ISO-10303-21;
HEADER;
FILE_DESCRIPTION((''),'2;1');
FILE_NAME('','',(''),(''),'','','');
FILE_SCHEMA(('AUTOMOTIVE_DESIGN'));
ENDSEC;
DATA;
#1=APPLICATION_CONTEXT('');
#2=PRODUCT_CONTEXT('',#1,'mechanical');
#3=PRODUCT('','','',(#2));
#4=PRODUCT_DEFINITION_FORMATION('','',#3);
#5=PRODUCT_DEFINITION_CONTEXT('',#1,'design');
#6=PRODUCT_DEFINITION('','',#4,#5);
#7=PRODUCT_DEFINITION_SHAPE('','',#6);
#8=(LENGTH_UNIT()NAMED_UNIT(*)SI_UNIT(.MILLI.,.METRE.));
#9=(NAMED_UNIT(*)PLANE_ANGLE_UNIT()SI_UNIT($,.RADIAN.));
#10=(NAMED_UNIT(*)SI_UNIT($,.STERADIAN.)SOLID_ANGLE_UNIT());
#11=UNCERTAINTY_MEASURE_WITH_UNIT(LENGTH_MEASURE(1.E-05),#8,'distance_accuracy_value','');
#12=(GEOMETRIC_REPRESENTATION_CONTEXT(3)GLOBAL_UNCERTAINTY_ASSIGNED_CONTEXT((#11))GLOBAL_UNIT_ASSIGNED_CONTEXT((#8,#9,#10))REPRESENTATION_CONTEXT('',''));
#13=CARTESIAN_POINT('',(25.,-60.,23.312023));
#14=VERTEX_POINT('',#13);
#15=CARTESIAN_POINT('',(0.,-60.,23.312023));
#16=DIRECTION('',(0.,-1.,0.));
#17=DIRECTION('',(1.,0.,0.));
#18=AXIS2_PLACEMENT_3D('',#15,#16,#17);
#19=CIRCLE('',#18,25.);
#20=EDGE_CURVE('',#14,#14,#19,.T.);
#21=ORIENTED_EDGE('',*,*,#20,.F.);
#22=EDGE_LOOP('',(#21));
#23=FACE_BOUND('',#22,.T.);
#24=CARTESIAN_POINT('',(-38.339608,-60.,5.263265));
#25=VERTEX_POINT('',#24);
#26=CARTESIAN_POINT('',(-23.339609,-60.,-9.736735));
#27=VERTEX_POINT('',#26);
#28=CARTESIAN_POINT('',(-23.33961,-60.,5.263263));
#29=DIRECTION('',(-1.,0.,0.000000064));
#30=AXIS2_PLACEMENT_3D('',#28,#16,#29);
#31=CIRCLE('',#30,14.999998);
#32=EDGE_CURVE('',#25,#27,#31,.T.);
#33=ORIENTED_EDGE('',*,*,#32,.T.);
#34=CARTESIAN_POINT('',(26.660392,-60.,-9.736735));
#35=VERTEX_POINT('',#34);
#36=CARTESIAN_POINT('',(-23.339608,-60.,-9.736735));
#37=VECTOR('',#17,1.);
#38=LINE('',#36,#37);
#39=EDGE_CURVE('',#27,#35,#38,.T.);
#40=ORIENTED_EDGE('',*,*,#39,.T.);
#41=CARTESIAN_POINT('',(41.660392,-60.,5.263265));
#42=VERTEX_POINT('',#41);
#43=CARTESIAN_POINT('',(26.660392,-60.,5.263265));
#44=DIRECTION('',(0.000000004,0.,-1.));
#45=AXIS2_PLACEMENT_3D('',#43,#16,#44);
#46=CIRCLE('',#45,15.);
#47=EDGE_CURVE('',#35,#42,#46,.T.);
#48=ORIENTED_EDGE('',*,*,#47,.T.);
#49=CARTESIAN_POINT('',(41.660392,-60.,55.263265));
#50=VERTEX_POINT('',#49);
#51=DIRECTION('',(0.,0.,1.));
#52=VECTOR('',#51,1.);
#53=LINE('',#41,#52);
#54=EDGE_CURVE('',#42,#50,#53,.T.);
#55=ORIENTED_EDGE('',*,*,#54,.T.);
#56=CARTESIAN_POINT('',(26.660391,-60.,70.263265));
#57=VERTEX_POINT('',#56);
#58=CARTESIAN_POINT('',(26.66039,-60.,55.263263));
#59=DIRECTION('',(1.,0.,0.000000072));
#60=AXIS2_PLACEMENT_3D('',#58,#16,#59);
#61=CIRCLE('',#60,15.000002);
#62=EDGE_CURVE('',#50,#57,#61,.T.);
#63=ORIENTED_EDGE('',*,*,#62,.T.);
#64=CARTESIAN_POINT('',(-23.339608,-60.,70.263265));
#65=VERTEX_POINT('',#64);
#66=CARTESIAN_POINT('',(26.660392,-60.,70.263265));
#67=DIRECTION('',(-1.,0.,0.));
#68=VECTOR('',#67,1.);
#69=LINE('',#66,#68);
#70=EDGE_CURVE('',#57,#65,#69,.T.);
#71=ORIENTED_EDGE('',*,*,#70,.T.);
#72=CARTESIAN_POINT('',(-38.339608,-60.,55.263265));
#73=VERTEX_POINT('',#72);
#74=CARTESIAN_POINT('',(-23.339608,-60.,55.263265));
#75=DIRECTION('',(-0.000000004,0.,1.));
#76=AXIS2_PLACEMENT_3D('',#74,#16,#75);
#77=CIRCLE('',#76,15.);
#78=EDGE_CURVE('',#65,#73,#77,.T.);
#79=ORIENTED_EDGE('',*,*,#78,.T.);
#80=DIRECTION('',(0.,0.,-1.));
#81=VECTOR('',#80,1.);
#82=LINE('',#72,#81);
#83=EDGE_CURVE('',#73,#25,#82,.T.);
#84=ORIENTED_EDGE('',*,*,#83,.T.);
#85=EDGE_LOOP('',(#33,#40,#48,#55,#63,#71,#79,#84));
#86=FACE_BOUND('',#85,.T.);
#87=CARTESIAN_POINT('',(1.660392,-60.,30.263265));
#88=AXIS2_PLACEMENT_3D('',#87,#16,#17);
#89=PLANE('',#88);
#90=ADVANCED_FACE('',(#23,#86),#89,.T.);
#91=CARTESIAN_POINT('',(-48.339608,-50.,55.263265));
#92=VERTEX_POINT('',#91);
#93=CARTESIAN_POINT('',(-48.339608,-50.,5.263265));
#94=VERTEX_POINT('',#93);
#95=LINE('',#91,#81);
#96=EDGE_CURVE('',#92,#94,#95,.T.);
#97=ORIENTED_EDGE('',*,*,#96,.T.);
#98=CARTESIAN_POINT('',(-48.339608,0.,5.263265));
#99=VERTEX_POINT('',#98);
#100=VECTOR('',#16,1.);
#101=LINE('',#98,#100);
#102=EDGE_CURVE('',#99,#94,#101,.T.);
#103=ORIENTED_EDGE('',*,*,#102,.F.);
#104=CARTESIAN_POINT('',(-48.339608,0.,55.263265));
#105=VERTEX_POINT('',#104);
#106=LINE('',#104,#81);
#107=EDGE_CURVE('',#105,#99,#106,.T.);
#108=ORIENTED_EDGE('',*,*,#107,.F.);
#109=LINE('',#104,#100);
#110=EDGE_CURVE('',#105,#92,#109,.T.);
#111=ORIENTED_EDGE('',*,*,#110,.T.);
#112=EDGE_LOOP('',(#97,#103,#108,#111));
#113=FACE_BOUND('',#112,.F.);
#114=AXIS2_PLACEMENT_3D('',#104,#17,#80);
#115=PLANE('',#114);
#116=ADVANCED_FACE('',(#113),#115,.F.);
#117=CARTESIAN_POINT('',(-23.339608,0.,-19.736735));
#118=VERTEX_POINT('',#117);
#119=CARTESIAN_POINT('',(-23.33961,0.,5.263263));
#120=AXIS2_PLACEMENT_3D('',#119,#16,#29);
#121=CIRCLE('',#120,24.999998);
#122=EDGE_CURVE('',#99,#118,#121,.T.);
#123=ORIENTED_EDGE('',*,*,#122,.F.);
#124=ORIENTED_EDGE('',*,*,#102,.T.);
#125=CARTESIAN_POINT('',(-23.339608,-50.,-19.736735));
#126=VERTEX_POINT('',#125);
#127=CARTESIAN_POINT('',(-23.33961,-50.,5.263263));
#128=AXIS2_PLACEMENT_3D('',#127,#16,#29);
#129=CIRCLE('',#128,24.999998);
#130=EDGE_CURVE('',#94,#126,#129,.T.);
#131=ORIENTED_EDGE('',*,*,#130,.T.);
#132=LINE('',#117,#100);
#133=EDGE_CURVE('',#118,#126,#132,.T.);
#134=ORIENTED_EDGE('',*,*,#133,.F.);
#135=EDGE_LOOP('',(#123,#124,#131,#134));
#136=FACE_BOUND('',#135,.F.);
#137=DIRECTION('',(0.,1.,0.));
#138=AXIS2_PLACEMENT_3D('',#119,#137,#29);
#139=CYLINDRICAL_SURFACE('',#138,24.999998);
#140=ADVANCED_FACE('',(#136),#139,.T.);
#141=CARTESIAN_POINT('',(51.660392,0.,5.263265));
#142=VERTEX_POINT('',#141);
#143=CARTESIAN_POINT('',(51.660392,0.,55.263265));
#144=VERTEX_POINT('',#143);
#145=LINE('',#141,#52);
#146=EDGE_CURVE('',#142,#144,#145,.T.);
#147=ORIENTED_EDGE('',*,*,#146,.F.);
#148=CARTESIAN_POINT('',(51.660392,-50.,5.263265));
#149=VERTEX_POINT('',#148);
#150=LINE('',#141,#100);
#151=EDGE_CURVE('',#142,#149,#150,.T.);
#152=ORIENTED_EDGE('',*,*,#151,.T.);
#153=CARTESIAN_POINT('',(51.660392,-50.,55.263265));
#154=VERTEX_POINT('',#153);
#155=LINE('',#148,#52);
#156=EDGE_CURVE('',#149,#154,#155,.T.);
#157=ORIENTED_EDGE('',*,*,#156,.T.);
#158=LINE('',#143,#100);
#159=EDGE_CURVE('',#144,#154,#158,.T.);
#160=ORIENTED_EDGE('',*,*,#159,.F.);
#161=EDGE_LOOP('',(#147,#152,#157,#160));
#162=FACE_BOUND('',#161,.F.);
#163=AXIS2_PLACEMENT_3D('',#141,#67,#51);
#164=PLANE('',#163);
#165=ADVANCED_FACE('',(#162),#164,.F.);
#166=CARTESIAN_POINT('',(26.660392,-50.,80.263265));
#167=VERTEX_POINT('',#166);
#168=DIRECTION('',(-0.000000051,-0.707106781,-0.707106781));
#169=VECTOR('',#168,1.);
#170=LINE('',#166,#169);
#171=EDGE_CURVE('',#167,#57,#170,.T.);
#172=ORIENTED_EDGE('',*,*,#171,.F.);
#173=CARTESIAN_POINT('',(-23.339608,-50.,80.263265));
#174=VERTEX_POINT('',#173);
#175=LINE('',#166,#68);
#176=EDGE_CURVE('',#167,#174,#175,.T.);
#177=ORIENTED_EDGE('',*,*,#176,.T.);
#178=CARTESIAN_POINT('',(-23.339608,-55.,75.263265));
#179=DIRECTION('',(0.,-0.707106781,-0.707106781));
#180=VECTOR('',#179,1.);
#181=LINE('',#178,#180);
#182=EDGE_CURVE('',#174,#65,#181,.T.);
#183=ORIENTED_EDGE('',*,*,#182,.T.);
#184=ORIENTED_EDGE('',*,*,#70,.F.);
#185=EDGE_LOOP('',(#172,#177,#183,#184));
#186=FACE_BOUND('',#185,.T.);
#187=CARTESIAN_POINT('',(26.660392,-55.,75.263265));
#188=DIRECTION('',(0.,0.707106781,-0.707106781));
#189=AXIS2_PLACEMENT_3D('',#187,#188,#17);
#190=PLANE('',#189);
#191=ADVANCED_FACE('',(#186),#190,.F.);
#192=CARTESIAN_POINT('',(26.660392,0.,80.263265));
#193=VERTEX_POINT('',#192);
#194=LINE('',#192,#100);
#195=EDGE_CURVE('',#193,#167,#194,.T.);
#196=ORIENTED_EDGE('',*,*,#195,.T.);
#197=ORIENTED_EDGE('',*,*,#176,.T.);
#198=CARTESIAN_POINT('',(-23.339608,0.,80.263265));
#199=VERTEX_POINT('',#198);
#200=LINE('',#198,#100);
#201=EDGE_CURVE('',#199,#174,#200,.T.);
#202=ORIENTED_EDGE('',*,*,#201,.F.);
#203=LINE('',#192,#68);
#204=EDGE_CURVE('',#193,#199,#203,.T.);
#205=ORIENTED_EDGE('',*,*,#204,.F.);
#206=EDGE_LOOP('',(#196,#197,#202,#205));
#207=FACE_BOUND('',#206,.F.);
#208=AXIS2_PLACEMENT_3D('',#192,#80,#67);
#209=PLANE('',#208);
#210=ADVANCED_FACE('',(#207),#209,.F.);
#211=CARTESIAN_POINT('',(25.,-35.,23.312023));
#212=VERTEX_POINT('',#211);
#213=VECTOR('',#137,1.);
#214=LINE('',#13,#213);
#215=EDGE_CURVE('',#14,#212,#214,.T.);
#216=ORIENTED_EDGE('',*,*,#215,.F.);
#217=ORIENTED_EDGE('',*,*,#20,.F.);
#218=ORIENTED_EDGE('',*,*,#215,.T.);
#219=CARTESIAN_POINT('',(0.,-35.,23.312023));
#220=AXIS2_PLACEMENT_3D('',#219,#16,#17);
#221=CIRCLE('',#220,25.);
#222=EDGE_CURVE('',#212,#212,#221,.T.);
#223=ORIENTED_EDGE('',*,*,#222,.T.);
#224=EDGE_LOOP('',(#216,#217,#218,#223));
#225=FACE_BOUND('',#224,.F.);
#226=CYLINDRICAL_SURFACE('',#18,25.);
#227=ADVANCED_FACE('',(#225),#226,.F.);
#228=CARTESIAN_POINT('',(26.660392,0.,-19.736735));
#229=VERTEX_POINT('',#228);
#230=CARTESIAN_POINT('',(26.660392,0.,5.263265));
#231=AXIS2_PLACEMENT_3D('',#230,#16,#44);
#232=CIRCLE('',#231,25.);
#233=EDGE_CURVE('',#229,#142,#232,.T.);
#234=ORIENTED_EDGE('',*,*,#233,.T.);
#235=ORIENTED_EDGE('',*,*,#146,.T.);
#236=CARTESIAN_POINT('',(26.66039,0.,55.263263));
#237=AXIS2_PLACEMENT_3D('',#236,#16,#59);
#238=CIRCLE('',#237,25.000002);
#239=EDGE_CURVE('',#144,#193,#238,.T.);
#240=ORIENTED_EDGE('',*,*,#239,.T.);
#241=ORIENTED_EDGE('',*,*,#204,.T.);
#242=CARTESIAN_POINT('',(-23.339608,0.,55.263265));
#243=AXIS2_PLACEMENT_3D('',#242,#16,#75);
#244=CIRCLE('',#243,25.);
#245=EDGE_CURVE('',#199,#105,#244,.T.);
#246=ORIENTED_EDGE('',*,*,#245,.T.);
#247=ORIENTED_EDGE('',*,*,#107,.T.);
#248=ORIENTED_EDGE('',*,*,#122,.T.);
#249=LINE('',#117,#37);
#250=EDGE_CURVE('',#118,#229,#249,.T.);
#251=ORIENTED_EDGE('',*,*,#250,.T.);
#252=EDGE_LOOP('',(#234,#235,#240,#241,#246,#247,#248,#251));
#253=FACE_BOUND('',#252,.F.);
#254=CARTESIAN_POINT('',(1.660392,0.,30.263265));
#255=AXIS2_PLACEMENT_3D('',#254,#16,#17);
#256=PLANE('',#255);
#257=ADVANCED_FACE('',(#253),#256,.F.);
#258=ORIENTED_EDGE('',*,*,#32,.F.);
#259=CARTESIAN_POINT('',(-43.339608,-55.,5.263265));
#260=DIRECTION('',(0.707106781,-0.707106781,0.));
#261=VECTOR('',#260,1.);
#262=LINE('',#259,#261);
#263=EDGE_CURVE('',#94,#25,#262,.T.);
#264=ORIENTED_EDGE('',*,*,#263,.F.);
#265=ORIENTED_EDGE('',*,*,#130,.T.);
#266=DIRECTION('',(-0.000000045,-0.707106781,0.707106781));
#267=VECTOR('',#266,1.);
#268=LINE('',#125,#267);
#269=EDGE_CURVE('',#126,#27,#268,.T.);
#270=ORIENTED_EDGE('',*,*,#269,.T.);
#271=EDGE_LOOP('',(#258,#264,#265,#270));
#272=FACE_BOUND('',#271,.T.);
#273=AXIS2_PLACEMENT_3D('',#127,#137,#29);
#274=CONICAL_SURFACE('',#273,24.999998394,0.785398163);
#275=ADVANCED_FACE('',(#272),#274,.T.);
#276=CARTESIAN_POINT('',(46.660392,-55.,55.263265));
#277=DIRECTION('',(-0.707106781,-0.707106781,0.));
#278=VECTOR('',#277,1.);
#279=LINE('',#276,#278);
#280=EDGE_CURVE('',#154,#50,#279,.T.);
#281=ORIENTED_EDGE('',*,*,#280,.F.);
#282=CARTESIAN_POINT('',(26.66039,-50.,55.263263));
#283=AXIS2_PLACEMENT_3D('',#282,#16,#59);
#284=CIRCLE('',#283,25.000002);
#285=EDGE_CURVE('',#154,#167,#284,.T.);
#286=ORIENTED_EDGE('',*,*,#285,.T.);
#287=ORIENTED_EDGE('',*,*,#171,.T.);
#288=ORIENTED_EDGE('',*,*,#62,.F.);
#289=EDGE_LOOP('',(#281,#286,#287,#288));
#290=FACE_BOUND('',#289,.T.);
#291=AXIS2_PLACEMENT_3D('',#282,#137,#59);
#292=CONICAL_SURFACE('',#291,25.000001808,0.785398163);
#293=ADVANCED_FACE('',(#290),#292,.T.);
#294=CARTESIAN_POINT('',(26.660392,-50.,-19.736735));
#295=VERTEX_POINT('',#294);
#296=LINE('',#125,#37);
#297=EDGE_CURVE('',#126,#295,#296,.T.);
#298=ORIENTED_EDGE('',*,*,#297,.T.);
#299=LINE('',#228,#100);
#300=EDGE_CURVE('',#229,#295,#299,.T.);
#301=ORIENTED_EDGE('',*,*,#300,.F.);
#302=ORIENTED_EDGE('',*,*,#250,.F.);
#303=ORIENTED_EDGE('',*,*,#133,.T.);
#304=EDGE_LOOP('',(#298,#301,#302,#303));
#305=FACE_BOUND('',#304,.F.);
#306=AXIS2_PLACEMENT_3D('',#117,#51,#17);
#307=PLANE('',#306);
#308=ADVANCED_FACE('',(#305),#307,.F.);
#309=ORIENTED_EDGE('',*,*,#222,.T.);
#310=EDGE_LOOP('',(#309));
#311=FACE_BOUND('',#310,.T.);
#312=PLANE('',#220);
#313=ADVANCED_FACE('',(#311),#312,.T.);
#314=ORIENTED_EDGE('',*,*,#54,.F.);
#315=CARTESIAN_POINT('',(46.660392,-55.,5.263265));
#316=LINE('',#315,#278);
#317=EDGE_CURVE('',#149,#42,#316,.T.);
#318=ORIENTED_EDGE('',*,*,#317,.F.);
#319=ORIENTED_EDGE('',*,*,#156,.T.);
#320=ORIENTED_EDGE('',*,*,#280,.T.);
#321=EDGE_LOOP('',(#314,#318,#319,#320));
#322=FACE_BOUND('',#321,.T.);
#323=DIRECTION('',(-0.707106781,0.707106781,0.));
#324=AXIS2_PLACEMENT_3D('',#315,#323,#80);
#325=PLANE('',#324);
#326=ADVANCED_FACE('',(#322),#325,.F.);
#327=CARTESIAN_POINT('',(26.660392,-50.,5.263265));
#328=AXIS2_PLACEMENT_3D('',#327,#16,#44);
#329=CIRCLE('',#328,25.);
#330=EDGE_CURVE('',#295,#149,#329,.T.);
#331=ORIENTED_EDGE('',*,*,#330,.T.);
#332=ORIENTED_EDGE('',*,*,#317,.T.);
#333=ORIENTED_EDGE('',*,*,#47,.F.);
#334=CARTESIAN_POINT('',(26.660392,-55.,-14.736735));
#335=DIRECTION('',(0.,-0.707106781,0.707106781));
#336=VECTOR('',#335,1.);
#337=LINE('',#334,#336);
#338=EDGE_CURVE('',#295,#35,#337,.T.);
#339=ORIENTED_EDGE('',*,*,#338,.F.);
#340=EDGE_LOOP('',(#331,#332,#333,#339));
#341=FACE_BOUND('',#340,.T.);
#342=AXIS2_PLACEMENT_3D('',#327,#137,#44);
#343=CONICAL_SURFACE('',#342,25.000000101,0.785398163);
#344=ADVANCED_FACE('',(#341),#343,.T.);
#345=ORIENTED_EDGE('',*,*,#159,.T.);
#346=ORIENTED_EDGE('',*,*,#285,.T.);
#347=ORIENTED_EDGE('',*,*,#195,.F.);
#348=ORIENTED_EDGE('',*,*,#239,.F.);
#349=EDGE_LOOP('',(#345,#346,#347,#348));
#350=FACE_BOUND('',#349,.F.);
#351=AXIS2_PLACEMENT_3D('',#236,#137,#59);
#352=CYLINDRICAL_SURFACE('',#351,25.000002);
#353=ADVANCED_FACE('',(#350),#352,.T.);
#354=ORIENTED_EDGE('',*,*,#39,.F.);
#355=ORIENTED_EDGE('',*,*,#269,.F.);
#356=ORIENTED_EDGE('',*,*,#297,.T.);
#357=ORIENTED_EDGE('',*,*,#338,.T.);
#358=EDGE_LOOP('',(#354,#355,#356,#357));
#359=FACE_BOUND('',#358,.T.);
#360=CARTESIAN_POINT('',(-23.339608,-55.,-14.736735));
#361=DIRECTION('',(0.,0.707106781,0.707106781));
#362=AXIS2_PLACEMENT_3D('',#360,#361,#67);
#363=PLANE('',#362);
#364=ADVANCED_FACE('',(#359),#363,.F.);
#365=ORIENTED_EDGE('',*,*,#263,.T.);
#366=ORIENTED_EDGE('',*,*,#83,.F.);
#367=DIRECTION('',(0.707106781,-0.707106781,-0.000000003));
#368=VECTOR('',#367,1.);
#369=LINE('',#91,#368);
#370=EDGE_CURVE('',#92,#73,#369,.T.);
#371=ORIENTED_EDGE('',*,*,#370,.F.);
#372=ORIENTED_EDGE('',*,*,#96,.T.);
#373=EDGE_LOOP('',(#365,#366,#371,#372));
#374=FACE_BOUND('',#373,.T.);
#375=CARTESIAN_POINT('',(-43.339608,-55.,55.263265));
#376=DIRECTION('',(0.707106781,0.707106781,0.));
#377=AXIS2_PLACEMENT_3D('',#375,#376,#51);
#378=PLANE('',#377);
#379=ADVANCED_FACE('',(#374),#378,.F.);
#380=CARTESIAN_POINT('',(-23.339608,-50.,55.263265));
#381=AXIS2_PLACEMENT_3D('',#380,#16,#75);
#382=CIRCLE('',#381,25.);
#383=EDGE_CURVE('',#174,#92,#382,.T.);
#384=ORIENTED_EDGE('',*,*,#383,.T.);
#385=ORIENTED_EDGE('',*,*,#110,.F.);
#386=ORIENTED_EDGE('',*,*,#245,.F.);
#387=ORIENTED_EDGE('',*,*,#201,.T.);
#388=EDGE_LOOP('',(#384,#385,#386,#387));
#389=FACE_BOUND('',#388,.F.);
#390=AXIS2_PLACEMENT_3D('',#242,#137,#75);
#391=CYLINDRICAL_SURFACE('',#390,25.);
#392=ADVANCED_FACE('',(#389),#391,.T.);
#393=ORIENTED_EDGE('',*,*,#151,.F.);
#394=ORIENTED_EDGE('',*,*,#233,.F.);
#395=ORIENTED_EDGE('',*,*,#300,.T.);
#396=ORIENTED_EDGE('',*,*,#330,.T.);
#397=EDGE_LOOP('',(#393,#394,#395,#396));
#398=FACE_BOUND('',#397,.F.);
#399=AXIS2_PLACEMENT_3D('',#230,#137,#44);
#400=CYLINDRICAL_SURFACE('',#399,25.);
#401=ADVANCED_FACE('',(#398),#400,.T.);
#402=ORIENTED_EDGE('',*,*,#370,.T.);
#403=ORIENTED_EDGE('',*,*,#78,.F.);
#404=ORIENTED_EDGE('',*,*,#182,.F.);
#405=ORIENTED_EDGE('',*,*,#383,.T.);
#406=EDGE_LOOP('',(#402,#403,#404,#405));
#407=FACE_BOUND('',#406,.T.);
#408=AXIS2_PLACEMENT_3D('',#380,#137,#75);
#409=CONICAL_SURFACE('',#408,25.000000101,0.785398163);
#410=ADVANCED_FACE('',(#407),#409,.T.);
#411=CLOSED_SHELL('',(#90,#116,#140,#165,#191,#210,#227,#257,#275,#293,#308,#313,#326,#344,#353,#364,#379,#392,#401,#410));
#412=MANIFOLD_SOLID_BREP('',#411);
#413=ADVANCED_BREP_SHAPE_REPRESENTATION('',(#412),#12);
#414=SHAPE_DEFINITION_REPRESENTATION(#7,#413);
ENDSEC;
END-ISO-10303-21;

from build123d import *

# Parameters (mm, degrees)
F1_DEPTH = 60
F2_SIZE  = 10
F3_R     = 25
F4_DEPTH = 25


with BuildPart() as f1:
    # F0 (on Front) → F1 (new body)
    with BuildSketch(Plane.XZ):
        with BuildLine():
            Line((26.660392, 80.263265), (-23.339608, 80.263265))
            ThreePointArc((-23.339608, 80.263265), (-41.017278, 72.940934), (-48.339608, 55.263265))
            Line((-48.339608, 55.263265), (-48.339608, 5.263265))
            ThreePointArc((-48.339608, 5.263265), (-41.017278, -12.414405), (-23.339608, -19.736735))
            Line((-23.339608, -19.736735), (26.660392, -19.736735))
            ThreePointArc((26.660392, -19.736735), (44.338061, -12.414405), (51.660392, 5.263265))
            Line((51.660392, 5.263265), (51.660392, 55.263265))
            ThreePointArc((51.660392, 55.263265), (44.338061, 72.940934), (26.660392, 80.263265))
        make_face()
    extrude(amount=F1_DEPTH)

    # F2
    f2_edges = [f1.edges().sort_by_distance(p)[0] for p in [
        (51.660392, -60, 30.263265),
        (44.338061, -60, 72.940934),
        (1.660392, -60, 80.263265),
        (-41.017278, -60, 72.940934),
        (-48.339608, -60, 30.263265),
        (-41.017278, -60, -12.414405),
        (1.660392, -60, -19.736735),
        (44.338061, -60, -12.414405),
    ]]
    chamfer(f2_edges, length=F2_SIZE)

    # F3 (on face) → F4 (cut)
    with BuildSketch(Plane.XZ.offset(60)):
        with Locations((0, 23.312023)):
            Circle(F3_R)
    extrude(amount=-F4_DEPTH, mode=Mode.SUBTRACT)


solid = f1.part
